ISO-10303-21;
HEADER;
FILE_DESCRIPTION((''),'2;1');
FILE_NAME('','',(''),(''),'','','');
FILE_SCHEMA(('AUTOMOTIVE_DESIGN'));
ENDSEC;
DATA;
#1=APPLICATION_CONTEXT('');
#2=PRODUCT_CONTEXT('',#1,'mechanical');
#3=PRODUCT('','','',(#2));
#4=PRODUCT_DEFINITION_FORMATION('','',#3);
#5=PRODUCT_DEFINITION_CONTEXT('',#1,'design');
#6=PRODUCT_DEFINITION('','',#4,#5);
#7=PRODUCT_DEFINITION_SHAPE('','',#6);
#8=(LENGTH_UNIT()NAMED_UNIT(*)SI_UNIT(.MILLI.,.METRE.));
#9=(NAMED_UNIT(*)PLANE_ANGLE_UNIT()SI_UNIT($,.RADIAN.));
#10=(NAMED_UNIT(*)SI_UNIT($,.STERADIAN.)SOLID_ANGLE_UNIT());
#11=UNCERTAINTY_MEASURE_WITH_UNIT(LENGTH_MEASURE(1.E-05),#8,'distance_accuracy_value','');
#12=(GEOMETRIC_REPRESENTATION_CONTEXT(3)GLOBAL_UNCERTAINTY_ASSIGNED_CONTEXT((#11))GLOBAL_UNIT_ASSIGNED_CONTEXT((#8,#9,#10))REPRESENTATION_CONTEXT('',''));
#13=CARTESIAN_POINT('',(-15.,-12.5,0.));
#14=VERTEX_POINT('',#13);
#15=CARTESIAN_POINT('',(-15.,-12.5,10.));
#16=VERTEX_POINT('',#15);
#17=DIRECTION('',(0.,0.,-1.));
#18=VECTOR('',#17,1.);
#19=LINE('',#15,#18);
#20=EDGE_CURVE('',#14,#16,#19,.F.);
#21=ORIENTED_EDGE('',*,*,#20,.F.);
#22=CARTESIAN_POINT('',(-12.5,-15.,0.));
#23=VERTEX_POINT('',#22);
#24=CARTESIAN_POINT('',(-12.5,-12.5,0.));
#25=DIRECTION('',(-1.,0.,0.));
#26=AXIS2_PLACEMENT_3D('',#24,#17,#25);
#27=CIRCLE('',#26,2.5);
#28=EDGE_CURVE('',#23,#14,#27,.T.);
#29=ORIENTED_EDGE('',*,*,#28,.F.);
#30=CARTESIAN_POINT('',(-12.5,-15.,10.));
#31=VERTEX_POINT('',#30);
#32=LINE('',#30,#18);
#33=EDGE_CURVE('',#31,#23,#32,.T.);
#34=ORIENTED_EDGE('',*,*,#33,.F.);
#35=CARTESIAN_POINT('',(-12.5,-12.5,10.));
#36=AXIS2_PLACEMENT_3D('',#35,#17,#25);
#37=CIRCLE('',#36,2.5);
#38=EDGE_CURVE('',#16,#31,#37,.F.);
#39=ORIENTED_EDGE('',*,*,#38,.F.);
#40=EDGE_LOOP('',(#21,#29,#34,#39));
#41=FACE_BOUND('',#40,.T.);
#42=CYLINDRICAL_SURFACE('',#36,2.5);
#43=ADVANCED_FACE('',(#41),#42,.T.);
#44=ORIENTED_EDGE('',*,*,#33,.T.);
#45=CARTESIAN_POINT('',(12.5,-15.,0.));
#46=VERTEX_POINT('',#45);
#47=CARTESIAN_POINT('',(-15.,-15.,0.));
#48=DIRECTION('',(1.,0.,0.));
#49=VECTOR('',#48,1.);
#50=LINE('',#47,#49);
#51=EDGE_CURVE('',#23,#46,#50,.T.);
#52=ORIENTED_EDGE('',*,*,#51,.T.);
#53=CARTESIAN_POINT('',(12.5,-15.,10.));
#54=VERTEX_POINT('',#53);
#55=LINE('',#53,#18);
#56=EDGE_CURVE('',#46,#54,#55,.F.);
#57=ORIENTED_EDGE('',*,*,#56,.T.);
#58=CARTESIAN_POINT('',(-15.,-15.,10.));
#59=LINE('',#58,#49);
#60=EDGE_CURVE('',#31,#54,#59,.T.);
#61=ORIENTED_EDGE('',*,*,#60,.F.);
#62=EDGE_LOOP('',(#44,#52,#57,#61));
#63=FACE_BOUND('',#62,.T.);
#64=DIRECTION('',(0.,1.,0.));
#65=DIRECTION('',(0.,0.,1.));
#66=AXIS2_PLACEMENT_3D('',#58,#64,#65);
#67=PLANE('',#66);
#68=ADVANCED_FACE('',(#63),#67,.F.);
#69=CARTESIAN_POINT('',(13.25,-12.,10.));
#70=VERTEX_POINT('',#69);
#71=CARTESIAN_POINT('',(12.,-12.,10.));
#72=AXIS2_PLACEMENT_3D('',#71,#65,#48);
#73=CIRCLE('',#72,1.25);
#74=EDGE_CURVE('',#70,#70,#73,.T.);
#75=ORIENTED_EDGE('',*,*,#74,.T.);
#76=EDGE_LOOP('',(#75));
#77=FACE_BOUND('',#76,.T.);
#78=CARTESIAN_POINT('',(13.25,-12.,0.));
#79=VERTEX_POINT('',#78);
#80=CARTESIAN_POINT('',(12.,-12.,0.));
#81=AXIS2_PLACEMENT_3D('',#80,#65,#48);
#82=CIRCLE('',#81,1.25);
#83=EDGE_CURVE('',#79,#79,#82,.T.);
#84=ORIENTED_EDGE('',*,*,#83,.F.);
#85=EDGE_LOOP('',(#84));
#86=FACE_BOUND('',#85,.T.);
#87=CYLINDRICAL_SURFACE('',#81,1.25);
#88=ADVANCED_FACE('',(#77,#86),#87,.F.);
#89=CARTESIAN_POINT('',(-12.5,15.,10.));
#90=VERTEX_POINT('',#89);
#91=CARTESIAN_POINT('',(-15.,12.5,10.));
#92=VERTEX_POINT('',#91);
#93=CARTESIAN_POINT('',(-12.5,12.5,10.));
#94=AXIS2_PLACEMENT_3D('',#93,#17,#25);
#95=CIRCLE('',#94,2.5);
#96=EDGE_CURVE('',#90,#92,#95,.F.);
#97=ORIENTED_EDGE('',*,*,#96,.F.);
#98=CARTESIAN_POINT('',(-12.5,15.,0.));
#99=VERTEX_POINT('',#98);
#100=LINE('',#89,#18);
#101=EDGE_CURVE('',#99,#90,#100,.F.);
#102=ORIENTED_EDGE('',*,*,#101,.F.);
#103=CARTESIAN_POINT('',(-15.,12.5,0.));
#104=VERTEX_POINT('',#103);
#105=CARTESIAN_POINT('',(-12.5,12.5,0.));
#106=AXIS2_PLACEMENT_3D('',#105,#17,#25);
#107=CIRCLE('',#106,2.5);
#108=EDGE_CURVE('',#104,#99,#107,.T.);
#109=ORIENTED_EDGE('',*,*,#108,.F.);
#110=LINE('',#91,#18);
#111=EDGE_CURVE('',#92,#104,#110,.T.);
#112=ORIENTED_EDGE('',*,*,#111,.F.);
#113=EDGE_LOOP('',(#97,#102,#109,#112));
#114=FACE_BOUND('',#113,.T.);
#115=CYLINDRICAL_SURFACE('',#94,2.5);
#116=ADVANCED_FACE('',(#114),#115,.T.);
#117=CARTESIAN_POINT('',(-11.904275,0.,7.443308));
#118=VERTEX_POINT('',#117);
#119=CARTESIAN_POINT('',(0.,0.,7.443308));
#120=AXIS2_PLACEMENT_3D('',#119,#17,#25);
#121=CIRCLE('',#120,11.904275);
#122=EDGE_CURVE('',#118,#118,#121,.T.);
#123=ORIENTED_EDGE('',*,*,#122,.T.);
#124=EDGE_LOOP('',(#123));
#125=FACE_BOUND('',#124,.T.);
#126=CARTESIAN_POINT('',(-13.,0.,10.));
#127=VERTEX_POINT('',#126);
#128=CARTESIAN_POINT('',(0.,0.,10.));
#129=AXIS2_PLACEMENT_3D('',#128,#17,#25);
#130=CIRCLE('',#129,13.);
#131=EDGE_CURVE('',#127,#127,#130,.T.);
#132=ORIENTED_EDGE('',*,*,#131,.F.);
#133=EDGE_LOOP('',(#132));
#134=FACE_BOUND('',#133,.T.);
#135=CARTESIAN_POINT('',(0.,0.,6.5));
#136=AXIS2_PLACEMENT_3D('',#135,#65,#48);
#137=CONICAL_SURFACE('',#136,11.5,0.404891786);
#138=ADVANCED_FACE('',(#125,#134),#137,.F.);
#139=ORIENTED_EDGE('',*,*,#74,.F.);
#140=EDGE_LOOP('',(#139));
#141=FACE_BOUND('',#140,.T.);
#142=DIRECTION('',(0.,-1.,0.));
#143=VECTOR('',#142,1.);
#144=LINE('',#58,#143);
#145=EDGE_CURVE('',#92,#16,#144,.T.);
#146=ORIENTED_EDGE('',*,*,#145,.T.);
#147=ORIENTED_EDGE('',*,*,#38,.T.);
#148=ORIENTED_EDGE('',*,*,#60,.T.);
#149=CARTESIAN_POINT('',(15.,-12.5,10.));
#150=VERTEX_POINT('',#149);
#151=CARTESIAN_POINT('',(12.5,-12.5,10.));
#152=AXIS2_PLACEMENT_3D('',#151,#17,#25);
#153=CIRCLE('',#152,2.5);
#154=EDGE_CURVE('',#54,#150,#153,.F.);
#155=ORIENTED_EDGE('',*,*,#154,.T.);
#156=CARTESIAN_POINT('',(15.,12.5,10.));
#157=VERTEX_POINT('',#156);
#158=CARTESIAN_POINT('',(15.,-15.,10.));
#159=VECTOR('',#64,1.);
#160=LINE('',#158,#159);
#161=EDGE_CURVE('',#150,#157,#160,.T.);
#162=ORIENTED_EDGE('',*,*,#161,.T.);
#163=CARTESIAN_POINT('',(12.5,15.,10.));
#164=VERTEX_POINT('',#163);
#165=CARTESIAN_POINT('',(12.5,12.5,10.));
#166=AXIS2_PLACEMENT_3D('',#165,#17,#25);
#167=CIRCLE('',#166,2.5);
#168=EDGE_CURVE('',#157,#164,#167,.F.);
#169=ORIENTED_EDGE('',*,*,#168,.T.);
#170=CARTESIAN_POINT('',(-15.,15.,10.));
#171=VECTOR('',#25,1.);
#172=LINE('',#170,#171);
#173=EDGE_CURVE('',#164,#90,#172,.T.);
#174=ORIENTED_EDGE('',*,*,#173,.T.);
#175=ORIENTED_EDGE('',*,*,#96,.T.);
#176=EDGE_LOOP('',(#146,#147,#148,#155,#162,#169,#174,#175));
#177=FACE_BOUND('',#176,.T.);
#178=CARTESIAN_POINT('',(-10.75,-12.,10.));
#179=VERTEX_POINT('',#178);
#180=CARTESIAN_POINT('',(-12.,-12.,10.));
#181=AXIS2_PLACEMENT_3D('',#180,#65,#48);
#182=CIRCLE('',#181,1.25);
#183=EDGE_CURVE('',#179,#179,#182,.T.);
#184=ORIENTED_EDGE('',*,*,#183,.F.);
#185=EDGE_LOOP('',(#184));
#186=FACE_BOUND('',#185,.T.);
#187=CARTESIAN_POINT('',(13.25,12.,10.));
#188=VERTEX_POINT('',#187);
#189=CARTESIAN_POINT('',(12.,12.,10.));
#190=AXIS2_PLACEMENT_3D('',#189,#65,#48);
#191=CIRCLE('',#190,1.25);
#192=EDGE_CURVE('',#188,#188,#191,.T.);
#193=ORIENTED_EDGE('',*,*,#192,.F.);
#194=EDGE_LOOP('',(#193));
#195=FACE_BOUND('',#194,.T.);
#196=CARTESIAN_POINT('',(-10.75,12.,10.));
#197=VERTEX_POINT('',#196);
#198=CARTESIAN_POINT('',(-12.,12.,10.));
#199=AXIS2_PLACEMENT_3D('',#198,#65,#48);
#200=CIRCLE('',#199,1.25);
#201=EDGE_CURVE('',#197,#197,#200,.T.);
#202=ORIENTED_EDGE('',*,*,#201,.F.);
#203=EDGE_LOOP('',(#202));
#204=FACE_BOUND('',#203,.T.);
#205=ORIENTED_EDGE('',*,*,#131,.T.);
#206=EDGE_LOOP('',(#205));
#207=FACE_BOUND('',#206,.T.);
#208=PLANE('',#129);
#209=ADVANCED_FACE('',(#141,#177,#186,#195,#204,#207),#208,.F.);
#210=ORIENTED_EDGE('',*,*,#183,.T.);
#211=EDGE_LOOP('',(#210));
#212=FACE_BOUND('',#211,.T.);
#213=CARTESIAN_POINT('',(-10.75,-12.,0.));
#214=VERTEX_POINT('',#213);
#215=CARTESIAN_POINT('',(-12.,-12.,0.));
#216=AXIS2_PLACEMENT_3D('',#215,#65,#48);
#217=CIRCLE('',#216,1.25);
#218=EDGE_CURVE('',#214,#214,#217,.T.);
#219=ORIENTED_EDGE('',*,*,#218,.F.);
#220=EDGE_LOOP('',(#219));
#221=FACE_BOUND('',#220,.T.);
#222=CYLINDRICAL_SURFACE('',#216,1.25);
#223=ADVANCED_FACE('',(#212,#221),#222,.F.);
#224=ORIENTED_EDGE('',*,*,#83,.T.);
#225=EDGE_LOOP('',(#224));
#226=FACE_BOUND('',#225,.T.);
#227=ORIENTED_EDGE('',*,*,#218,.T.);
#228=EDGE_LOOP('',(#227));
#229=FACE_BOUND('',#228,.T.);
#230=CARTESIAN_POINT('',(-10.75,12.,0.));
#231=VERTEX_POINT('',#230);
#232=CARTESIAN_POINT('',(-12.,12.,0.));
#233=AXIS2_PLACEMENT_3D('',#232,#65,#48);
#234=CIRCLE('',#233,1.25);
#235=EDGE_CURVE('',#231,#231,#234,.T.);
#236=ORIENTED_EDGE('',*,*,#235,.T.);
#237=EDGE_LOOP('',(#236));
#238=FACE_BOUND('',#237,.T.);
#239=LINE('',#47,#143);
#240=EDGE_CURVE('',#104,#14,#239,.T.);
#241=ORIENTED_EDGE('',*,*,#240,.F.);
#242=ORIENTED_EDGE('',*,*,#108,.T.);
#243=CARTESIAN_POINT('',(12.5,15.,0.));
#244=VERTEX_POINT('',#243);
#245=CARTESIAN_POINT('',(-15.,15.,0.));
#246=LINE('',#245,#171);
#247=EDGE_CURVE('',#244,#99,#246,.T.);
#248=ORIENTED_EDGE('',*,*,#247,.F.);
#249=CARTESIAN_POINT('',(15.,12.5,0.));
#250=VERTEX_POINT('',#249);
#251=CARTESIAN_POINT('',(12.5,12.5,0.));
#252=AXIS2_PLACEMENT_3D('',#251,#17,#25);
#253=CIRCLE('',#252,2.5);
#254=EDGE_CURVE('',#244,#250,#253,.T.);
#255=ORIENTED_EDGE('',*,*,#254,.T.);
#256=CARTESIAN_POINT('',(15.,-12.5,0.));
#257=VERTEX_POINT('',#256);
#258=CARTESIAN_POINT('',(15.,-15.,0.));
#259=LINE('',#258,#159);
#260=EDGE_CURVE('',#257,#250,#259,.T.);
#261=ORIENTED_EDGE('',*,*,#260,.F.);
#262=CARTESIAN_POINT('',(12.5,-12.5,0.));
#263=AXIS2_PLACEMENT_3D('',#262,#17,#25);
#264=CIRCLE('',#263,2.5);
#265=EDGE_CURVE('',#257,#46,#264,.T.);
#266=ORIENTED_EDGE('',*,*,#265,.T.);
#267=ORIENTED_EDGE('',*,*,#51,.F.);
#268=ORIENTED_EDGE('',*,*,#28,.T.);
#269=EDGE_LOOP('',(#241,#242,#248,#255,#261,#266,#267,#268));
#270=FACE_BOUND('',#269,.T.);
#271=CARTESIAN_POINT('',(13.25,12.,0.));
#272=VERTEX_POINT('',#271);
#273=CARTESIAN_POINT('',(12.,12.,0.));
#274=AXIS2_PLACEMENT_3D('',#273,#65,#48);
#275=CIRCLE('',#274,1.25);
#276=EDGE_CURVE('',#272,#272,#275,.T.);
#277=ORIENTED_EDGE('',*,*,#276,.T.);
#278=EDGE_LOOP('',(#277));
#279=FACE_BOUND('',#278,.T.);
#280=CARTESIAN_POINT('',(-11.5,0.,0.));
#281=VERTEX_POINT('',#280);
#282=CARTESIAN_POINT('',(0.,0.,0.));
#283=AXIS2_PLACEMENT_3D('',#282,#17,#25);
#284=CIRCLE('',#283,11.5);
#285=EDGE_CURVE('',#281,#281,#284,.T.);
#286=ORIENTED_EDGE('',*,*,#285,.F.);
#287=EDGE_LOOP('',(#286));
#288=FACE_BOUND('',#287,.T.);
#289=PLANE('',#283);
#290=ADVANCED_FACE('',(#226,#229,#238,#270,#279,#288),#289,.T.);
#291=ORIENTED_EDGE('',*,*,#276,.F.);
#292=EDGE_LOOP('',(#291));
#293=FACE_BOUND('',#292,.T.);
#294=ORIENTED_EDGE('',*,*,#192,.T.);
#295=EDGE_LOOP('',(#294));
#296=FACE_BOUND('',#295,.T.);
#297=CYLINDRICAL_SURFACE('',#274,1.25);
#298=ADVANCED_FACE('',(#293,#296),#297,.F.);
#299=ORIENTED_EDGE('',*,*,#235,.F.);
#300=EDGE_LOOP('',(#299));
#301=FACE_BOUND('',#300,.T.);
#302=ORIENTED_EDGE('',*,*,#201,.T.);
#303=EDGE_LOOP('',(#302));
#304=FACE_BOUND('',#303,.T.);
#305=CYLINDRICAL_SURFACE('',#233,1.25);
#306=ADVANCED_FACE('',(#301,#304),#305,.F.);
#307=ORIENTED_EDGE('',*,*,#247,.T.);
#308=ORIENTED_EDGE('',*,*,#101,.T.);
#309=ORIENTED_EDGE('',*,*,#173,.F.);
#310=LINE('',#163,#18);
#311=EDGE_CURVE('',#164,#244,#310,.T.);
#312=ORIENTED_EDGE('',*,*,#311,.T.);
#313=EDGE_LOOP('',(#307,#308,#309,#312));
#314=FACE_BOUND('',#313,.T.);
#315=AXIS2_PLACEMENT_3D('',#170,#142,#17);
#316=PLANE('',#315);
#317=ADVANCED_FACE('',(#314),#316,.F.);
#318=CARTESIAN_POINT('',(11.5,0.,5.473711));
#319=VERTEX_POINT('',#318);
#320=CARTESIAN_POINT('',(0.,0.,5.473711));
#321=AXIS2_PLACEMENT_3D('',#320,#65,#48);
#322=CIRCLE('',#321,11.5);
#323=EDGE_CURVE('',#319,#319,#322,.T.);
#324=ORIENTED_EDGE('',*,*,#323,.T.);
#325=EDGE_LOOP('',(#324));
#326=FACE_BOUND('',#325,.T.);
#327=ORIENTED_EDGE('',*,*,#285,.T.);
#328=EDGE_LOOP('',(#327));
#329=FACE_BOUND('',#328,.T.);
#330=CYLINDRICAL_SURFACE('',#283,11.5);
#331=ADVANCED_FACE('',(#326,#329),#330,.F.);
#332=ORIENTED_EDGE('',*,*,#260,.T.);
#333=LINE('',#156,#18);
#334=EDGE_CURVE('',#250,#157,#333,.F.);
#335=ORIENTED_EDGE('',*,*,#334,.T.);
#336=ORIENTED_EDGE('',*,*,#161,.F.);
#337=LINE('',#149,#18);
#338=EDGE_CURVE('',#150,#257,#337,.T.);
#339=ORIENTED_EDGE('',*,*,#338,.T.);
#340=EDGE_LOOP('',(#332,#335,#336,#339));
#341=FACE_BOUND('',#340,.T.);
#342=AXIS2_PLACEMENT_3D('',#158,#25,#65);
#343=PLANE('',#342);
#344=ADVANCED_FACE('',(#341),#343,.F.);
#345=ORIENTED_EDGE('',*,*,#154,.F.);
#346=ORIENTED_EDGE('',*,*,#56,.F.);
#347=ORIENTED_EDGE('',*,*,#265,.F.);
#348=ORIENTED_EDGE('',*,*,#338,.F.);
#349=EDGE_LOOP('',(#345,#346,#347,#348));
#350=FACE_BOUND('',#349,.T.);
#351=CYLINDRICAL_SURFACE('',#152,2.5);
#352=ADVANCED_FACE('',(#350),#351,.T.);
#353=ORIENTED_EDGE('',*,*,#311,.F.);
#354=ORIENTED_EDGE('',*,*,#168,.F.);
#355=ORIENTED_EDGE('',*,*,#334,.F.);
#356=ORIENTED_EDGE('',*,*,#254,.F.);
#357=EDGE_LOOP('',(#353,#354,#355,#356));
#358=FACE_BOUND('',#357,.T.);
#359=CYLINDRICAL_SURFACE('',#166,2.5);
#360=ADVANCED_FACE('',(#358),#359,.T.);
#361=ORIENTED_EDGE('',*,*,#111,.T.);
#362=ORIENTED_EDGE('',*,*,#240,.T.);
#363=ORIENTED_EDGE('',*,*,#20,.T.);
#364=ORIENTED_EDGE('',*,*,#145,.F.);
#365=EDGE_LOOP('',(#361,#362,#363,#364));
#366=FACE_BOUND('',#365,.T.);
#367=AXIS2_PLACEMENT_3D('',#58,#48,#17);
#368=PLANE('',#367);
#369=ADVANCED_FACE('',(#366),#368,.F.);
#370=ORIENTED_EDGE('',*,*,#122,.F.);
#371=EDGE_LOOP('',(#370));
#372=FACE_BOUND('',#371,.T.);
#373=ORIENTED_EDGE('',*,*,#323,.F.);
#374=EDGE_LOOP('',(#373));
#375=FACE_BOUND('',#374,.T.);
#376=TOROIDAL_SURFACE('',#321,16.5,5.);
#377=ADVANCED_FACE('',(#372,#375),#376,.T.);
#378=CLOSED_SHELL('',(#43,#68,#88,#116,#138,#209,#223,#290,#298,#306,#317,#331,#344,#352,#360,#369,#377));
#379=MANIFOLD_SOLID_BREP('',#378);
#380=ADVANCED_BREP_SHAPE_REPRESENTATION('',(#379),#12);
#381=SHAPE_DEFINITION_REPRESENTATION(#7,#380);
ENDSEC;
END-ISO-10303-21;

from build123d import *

# Parameters (mm, degrees)
SKETCH1_W           = 30
SKETCH1_H           = 30
BOSS_EXTRUDE1_DEPTH = 10
FILLET1_R           = 2.5
SKETCH2_R           = 1.25
CUT_EXTRUDE1_DEPTH  = 24.452078799
FILLET2_R           = 5


with BuildPart() as part:
    # Sketch1 → Boss-Extrude1 (new body)
    with BuildSketch(Plane.XY):
        Rectangle(SKETCH1_W, SKETCH1_H)
    extrude(amount=BOSS_EXTRUDE1_DEPTH)

    # Fillet1
    fillet1_edges = [part.edges().sort_by_distance(p)[0] for p in [
        (15, -15, 5),
        (-15, -15, 5),
        (-15, 15, 5),
        (15, 15, 5),
    ]]
    fillet(fillet1_edges, radius=FILLET1_R)

    # Sketch2 → Cut-Extrude1 (cut, through all)
    with BuildSketch(Plane.XY.offset(10)):
        with Locations((-12, 12)):
            Circle(SKETCH2_R)
        with Locations((12, 12)):
            Circle(SKETCH2_R)
        with Locations((12, -12)):
            Circle(SKETCH2_R)
        with Locations((-12, -12)):
            Circle(SKETCH2_R)
    extrude(amount=-CUT_EXTRUDE1_DEPTH, mode=Mode.SUBTRACT)

    # Sketch4 → Cut-Revolve1 (revolve, cut)
    with BuildSketch(Plane(origin=(0, 0, 0), x_dir=(0, 0, -1), z_dir=(1, 0, 0)), mode=Mode.PRIVATE) as cut_revolve1_sk:
        Polygon((0, 0), (-10, 0), (-10, 13), (-6.5, 11.5), (0, 11.5), align=None)
    revolve(cut_revolve1_sk.sketch.rotate(Axis((0, 0, 0), (0, 0, 1)), 90), axis=Axis((0, 0, 0), (0, 0, 1)), mode=Mode.SUBTRACT)

    # Fillet2
    fillet2_edges = [part.edges().sort_by_distance(p)[0] for p in [
        (11.5, 0, 6.5),
    ]]
    fillet(fillet2_edges, radius=FILLET2_R)


solid = part.part
